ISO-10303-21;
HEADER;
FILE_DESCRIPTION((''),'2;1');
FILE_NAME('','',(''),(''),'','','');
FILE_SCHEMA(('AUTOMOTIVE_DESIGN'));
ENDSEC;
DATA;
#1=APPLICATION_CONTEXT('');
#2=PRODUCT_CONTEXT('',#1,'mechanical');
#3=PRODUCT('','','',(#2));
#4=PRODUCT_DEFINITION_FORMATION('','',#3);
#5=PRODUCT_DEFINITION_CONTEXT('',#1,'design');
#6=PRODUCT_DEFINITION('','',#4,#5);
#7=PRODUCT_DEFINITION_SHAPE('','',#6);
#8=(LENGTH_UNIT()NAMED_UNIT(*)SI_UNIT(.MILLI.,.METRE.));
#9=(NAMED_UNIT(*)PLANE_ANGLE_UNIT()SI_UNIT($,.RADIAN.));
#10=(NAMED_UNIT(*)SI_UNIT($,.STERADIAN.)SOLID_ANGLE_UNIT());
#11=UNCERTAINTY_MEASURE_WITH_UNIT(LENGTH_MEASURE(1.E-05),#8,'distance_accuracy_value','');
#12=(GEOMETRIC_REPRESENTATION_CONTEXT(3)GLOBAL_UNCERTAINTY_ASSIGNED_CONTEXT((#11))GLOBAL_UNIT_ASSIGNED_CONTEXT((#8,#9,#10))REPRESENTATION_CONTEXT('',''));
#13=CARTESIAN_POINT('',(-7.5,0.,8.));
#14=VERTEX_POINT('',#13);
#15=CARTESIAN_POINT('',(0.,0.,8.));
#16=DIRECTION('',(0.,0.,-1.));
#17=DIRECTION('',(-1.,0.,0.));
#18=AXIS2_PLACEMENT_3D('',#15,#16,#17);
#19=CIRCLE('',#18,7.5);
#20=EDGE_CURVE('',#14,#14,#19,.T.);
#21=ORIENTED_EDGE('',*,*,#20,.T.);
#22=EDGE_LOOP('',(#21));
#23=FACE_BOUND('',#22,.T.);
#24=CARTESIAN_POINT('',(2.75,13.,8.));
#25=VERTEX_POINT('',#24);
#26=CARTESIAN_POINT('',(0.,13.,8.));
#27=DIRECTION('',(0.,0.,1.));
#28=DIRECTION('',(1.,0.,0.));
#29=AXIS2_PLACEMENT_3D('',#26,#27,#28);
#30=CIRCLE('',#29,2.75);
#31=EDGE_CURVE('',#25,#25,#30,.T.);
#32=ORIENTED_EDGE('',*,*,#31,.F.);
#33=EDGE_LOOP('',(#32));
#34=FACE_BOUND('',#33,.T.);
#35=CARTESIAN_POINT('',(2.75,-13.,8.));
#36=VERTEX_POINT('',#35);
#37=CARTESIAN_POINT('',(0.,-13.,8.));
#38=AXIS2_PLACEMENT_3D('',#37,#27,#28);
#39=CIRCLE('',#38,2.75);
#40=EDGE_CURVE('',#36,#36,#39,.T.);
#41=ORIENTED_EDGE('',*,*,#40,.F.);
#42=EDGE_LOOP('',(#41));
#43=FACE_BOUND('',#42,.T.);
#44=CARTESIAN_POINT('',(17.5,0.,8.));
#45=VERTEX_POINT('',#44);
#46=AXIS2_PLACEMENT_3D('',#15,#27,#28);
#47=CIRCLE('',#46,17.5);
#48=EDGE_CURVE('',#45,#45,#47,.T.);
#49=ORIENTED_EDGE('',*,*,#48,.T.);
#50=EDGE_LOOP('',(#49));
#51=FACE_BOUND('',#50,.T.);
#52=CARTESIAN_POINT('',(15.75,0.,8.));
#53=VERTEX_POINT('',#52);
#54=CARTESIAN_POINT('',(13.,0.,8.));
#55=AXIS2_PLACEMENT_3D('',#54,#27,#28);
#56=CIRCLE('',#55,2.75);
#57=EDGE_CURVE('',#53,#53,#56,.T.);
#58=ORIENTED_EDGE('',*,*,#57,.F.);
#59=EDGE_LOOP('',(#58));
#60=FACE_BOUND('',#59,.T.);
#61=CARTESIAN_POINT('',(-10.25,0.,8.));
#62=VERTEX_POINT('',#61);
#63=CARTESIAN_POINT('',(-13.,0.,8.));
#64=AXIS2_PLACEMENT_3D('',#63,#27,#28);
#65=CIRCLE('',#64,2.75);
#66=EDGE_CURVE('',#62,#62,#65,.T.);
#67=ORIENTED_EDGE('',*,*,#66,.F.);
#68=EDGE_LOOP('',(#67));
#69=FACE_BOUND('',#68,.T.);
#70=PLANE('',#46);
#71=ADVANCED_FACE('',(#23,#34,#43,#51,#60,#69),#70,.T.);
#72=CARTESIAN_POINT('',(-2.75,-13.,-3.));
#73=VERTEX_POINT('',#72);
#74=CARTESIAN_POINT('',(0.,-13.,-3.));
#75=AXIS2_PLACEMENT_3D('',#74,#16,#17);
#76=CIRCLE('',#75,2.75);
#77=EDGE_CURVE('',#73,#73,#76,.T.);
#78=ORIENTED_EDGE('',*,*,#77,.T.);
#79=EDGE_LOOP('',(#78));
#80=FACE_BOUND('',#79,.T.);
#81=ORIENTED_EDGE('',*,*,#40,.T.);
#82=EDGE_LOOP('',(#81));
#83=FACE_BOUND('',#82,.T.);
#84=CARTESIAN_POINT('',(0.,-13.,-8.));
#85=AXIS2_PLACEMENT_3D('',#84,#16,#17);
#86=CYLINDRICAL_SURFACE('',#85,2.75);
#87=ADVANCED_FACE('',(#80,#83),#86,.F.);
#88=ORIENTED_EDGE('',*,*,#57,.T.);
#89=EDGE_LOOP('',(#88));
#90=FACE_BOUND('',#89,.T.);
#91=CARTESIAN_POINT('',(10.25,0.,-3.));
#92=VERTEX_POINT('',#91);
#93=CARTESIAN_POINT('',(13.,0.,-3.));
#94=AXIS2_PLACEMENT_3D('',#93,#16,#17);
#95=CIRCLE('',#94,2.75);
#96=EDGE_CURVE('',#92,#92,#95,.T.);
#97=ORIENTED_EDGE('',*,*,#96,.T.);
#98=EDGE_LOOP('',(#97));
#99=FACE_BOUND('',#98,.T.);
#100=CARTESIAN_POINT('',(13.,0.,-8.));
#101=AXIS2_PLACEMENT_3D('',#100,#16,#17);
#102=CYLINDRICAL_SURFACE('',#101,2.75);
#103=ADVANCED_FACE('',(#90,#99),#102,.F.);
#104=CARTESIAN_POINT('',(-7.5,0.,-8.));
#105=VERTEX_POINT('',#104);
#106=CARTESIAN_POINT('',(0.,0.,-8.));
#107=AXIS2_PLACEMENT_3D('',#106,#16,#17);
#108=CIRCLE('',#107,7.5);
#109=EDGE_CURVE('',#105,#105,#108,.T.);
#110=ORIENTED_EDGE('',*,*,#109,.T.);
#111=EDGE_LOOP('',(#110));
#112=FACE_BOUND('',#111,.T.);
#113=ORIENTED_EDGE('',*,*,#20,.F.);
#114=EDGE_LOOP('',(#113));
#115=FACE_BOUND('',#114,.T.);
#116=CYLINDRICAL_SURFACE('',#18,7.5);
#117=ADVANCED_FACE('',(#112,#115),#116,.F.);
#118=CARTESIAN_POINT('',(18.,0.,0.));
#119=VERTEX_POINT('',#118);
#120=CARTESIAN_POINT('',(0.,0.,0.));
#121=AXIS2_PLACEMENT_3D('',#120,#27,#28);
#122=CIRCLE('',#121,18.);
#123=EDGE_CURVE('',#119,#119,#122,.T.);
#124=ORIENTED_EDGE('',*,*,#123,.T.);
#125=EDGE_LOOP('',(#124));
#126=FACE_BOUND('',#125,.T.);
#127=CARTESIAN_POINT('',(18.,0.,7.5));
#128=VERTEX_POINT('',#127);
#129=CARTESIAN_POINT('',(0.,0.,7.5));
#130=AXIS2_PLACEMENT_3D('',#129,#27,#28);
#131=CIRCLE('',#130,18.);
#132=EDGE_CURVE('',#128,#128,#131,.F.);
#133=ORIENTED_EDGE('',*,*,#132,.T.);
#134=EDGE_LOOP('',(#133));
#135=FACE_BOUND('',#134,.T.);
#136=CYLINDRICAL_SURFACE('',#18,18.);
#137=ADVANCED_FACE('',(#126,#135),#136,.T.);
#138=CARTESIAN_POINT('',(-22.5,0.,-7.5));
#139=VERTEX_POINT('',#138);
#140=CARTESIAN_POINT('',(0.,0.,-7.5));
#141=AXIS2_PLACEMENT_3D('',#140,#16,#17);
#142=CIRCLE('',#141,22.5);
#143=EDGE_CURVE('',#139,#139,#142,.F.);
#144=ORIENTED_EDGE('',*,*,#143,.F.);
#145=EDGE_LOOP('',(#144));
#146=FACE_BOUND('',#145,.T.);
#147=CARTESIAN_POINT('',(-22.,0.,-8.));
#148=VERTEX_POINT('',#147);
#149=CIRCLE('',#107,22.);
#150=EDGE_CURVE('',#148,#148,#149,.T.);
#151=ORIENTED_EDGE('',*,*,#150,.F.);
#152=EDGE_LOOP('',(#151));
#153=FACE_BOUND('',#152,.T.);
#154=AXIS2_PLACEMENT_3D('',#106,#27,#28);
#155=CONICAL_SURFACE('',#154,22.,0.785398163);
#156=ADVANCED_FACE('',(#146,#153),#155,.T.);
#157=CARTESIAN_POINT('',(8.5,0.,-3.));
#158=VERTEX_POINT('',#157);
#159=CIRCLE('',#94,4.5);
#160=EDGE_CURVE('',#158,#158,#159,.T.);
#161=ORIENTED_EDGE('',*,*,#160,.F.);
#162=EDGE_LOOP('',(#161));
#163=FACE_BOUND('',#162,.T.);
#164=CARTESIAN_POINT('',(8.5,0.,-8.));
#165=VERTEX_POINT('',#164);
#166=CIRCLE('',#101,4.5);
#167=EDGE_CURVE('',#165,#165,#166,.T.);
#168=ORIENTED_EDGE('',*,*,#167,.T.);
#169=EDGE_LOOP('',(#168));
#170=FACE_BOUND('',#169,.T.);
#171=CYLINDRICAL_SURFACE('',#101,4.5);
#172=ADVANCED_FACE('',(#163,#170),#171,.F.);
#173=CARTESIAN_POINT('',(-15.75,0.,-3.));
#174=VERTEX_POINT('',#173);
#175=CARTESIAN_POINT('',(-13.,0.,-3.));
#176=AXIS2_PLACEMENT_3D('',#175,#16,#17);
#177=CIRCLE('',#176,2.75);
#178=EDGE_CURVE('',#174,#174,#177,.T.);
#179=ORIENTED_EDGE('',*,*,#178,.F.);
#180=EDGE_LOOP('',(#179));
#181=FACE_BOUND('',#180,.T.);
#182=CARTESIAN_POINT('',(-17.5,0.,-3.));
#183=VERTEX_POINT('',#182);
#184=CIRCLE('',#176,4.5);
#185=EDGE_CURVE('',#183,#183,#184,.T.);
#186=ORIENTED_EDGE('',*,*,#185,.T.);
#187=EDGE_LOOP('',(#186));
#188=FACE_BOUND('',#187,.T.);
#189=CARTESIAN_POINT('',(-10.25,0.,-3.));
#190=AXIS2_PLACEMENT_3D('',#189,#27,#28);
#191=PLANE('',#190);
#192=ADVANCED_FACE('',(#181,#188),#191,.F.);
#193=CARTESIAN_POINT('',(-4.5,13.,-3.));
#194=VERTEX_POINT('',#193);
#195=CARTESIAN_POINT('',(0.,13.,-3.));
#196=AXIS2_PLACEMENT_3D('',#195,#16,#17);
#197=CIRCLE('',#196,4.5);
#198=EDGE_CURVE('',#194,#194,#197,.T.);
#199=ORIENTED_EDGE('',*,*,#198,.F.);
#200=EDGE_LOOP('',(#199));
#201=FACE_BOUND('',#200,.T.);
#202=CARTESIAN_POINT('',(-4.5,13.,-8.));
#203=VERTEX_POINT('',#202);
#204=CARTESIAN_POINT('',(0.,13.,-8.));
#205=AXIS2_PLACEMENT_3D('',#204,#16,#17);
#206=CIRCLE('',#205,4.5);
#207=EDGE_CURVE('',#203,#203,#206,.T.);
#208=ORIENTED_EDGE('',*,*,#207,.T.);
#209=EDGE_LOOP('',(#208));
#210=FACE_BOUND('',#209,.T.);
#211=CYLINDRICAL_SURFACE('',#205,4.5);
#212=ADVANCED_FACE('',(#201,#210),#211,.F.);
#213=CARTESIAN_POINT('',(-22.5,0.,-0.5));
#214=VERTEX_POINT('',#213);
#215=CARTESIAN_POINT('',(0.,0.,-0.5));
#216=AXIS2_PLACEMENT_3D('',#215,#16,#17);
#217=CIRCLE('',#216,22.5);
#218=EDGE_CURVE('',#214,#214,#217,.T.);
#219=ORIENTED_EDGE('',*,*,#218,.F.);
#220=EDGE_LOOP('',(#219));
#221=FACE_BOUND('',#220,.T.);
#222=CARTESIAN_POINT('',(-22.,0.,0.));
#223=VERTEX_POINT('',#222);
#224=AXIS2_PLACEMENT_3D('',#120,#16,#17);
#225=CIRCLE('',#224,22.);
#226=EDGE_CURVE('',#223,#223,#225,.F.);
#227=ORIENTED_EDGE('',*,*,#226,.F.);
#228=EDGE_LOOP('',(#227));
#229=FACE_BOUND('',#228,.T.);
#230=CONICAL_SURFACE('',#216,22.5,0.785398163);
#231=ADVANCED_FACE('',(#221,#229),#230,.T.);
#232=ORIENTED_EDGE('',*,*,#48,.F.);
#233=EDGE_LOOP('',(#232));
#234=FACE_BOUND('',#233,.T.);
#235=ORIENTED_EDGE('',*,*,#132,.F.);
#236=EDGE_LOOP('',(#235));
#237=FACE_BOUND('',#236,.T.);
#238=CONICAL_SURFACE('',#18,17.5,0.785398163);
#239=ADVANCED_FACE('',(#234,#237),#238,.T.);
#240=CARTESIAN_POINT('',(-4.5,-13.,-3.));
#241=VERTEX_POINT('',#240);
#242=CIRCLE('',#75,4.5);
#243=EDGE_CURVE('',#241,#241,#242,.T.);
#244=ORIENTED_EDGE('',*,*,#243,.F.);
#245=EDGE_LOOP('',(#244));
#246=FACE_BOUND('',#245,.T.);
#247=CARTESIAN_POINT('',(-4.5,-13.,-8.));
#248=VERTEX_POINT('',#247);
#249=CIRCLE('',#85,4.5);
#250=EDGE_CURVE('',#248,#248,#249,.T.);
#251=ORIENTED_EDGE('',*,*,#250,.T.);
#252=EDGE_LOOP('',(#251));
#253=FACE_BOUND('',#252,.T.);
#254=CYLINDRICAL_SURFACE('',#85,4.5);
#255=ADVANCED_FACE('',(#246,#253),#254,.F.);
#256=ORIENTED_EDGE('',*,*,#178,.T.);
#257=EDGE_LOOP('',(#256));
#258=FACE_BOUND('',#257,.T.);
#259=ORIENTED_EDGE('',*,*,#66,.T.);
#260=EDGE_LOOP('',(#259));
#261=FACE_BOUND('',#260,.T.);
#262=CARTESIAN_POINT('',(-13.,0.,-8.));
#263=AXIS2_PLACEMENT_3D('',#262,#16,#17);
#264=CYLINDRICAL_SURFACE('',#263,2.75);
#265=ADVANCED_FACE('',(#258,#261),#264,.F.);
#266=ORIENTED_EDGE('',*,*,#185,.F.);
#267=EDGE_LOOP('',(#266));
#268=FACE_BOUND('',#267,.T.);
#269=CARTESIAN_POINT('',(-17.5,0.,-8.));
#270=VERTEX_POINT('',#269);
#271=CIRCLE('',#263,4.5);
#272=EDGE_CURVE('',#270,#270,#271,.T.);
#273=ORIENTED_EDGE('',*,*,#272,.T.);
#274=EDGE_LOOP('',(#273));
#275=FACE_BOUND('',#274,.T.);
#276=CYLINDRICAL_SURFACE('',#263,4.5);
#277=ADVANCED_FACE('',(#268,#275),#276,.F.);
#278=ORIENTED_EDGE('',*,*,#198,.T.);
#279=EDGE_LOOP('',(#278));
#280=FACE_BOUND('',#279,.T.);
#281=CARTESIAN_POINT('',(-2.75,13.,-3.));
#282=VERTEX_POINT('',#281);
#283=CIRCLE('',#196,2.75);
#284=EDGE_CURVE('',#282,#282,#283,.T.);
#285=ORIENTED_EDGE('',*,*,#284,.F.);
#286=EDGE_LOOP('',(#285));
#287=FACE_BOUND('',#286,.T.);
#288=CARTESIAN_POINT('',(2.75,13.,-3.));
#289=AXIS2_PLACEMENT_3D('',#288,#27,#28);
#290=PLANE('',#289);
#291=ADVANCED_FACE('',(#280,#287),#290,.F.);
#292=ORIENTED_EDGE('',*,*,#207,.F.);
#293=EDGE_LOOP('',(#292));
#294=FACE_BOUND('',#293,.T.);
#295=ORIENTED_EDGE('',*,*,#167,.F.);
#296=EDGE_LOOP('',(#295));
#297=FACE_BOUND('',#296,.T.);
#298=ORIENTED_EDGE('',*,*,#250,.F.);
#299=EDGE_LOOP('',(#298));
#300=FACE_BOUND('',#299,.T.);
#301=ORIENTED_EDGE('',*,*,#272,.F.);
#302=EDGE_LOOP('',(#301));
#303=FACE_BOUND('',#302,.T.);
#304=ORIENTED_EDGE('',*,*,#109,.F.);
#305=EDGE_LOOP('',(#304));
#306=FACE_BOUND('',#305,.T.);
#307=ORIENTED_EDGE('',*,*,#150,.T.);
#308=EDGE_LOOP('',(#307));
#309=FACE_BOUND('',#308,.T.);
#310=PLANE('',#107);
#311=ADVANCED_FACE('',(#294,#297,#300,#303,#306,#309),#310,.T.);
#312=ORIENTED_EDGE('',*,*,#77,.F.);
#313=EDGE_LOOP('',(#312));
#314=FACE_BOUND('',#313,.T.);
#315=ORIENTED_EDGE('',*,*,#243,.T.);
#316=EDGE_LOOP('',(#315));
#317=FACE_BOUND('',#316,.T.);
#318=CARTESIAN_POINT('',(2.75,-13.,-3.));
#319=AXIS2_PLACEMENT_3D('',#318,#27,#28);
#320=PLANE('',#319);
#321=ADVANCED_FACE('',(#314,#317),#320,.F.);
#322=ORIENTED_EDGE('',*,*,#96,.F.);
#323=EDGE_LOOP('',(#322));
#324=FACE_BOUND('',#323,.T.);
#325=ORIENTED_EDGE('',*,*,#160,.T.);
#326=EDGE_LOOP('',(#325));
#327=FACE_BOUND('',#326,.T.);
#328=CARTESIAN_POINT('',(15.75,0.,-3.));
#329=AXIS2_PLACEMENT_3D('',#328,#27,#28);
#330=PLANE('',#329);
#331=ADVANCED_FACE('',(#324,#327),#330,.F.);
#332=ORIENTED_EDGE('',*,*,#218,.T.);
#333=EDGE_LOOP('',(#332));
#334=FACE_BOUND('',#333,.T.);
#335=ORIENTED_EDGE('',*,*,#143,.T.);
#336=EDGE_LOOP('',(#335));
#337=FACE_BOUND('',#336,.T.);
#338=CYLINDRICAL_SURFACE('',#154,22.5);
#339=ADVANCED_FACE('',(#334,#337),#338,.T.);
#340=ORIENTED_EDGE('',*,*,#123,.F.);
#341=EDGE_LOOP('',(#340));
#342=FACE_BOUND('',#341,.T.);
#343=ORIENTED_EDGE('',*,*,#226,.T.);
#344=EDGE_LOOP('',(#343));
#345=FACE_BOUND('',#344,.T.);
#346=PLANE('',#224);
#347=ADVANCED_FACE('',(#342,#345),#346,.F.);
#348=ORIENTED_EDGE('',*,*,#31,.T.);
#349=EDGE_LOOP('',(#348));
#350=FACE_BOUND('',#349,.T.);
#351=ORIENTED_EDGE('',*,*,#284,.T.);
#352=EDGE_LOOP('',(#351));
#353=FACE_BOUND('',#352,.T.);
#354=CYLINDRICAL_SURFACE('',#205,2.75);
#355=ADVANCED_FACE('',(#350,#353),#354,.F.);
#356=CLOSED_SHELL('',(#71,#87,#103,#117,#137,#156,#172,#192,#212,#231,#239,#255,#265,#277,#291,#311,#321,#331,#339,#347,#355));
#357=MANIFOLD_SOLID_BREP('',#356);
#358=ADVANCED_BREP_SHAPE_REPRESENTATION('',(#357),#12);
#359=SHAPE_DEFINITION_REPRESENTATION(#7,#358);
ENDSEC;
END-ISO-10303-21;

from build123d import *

# Parameters (mm, degrees)
SKETCH1_R                      = 18
BOSS_EXTRUDE1_DEPTH            = 8
SKETCH2_R                      = 22.5
BOSS_EXTRUDE2_DEPTH            = 8
CHAMFER1_SIZE                  = 0.5
SKETCH3_R                      = 7.5
CUT_EXTRUDE1_DEPTH             = 36.616007637
CBORE_FOR_M5_SHCS1_D           = 5.5
CBORE_FOR_M5_SHCS1_CBORE_D     = 9
CBORE_FOR_M5_SHCS1_CBORE_DEPTH = 5
CIRPATTERN1_COUNT              = 4


with BuildPart() as part:
    # Sketch1 → Boss-Extrude1 (new body)
    with BuildSketch(Plane.XY):
        Circle(SKETCH1_R)
    extrude(amount=BOSS_EXTRUDE1_DEPTH)

    # Sketch2 → Boss-Extrude2 (add)
    with BuildSketch(Plane(origin=(0, 0, 0), x_dir=(-1, 0, 0), z_dir=(0, 0, -1))):
        Circle(SKETCH2_R)
    extrude(amount=BOSS_EXTRUDE2_DEPTH)

    # Chamfer1
    chamfer1_edges = [part.edges().sort_by_distance(p)[0] for p in [
        (-18, 0, 8),
        (22.5, 0, 0),
        (22.5, 0, -8),
    ]]
    chamfer(chamfer1_edges, length=CHAMFER1_SIZE)

    # Sketch3 → Cut-Extrude1 (cut, through all)
    with BuildSketch(Plane(origin=(0, 0, -8), x_dir=(-1, 0, 0), z_dir=(0, 0, -1))):
        Circle(SKETCH3_R)
    extrude(amount=-CUT_EXTRUDE1_DEPTH, mode=Mode.SUBTRACT)

    # CBORE for M5 SHCS1 (through all)
    with Locations(Plane(origin=(0, 0, -8), x_dir=(-1, 0, 0), z_dir=(0, 0, -1))):
        with Locations((0, 13)):
            cbore_for_m5_shcs1 = CounterBoreHole(CBORE_FOR_M5_SHCS1_D / 2, CBORE_FOR_M5_SHCS1_CBORE_D / 2, CBORE_FOR_M5_SHCS1_CBORE_DEPTH)

    # CirPattern1: CBORE for M5 SHCS1 ×4 about axis
    cirpattern1_axis = Axis((0, 0, 0), (0, 0, 1))
    for i in range(1, CIRPATTERN1_COUNT):
        add(cbore_for_m5_shcs1.rotate(cirpattern1_axis, i * 360 / CIRPATTERN1_COUNT), mode=Mode.SUBTRACT)


solid = part.part
